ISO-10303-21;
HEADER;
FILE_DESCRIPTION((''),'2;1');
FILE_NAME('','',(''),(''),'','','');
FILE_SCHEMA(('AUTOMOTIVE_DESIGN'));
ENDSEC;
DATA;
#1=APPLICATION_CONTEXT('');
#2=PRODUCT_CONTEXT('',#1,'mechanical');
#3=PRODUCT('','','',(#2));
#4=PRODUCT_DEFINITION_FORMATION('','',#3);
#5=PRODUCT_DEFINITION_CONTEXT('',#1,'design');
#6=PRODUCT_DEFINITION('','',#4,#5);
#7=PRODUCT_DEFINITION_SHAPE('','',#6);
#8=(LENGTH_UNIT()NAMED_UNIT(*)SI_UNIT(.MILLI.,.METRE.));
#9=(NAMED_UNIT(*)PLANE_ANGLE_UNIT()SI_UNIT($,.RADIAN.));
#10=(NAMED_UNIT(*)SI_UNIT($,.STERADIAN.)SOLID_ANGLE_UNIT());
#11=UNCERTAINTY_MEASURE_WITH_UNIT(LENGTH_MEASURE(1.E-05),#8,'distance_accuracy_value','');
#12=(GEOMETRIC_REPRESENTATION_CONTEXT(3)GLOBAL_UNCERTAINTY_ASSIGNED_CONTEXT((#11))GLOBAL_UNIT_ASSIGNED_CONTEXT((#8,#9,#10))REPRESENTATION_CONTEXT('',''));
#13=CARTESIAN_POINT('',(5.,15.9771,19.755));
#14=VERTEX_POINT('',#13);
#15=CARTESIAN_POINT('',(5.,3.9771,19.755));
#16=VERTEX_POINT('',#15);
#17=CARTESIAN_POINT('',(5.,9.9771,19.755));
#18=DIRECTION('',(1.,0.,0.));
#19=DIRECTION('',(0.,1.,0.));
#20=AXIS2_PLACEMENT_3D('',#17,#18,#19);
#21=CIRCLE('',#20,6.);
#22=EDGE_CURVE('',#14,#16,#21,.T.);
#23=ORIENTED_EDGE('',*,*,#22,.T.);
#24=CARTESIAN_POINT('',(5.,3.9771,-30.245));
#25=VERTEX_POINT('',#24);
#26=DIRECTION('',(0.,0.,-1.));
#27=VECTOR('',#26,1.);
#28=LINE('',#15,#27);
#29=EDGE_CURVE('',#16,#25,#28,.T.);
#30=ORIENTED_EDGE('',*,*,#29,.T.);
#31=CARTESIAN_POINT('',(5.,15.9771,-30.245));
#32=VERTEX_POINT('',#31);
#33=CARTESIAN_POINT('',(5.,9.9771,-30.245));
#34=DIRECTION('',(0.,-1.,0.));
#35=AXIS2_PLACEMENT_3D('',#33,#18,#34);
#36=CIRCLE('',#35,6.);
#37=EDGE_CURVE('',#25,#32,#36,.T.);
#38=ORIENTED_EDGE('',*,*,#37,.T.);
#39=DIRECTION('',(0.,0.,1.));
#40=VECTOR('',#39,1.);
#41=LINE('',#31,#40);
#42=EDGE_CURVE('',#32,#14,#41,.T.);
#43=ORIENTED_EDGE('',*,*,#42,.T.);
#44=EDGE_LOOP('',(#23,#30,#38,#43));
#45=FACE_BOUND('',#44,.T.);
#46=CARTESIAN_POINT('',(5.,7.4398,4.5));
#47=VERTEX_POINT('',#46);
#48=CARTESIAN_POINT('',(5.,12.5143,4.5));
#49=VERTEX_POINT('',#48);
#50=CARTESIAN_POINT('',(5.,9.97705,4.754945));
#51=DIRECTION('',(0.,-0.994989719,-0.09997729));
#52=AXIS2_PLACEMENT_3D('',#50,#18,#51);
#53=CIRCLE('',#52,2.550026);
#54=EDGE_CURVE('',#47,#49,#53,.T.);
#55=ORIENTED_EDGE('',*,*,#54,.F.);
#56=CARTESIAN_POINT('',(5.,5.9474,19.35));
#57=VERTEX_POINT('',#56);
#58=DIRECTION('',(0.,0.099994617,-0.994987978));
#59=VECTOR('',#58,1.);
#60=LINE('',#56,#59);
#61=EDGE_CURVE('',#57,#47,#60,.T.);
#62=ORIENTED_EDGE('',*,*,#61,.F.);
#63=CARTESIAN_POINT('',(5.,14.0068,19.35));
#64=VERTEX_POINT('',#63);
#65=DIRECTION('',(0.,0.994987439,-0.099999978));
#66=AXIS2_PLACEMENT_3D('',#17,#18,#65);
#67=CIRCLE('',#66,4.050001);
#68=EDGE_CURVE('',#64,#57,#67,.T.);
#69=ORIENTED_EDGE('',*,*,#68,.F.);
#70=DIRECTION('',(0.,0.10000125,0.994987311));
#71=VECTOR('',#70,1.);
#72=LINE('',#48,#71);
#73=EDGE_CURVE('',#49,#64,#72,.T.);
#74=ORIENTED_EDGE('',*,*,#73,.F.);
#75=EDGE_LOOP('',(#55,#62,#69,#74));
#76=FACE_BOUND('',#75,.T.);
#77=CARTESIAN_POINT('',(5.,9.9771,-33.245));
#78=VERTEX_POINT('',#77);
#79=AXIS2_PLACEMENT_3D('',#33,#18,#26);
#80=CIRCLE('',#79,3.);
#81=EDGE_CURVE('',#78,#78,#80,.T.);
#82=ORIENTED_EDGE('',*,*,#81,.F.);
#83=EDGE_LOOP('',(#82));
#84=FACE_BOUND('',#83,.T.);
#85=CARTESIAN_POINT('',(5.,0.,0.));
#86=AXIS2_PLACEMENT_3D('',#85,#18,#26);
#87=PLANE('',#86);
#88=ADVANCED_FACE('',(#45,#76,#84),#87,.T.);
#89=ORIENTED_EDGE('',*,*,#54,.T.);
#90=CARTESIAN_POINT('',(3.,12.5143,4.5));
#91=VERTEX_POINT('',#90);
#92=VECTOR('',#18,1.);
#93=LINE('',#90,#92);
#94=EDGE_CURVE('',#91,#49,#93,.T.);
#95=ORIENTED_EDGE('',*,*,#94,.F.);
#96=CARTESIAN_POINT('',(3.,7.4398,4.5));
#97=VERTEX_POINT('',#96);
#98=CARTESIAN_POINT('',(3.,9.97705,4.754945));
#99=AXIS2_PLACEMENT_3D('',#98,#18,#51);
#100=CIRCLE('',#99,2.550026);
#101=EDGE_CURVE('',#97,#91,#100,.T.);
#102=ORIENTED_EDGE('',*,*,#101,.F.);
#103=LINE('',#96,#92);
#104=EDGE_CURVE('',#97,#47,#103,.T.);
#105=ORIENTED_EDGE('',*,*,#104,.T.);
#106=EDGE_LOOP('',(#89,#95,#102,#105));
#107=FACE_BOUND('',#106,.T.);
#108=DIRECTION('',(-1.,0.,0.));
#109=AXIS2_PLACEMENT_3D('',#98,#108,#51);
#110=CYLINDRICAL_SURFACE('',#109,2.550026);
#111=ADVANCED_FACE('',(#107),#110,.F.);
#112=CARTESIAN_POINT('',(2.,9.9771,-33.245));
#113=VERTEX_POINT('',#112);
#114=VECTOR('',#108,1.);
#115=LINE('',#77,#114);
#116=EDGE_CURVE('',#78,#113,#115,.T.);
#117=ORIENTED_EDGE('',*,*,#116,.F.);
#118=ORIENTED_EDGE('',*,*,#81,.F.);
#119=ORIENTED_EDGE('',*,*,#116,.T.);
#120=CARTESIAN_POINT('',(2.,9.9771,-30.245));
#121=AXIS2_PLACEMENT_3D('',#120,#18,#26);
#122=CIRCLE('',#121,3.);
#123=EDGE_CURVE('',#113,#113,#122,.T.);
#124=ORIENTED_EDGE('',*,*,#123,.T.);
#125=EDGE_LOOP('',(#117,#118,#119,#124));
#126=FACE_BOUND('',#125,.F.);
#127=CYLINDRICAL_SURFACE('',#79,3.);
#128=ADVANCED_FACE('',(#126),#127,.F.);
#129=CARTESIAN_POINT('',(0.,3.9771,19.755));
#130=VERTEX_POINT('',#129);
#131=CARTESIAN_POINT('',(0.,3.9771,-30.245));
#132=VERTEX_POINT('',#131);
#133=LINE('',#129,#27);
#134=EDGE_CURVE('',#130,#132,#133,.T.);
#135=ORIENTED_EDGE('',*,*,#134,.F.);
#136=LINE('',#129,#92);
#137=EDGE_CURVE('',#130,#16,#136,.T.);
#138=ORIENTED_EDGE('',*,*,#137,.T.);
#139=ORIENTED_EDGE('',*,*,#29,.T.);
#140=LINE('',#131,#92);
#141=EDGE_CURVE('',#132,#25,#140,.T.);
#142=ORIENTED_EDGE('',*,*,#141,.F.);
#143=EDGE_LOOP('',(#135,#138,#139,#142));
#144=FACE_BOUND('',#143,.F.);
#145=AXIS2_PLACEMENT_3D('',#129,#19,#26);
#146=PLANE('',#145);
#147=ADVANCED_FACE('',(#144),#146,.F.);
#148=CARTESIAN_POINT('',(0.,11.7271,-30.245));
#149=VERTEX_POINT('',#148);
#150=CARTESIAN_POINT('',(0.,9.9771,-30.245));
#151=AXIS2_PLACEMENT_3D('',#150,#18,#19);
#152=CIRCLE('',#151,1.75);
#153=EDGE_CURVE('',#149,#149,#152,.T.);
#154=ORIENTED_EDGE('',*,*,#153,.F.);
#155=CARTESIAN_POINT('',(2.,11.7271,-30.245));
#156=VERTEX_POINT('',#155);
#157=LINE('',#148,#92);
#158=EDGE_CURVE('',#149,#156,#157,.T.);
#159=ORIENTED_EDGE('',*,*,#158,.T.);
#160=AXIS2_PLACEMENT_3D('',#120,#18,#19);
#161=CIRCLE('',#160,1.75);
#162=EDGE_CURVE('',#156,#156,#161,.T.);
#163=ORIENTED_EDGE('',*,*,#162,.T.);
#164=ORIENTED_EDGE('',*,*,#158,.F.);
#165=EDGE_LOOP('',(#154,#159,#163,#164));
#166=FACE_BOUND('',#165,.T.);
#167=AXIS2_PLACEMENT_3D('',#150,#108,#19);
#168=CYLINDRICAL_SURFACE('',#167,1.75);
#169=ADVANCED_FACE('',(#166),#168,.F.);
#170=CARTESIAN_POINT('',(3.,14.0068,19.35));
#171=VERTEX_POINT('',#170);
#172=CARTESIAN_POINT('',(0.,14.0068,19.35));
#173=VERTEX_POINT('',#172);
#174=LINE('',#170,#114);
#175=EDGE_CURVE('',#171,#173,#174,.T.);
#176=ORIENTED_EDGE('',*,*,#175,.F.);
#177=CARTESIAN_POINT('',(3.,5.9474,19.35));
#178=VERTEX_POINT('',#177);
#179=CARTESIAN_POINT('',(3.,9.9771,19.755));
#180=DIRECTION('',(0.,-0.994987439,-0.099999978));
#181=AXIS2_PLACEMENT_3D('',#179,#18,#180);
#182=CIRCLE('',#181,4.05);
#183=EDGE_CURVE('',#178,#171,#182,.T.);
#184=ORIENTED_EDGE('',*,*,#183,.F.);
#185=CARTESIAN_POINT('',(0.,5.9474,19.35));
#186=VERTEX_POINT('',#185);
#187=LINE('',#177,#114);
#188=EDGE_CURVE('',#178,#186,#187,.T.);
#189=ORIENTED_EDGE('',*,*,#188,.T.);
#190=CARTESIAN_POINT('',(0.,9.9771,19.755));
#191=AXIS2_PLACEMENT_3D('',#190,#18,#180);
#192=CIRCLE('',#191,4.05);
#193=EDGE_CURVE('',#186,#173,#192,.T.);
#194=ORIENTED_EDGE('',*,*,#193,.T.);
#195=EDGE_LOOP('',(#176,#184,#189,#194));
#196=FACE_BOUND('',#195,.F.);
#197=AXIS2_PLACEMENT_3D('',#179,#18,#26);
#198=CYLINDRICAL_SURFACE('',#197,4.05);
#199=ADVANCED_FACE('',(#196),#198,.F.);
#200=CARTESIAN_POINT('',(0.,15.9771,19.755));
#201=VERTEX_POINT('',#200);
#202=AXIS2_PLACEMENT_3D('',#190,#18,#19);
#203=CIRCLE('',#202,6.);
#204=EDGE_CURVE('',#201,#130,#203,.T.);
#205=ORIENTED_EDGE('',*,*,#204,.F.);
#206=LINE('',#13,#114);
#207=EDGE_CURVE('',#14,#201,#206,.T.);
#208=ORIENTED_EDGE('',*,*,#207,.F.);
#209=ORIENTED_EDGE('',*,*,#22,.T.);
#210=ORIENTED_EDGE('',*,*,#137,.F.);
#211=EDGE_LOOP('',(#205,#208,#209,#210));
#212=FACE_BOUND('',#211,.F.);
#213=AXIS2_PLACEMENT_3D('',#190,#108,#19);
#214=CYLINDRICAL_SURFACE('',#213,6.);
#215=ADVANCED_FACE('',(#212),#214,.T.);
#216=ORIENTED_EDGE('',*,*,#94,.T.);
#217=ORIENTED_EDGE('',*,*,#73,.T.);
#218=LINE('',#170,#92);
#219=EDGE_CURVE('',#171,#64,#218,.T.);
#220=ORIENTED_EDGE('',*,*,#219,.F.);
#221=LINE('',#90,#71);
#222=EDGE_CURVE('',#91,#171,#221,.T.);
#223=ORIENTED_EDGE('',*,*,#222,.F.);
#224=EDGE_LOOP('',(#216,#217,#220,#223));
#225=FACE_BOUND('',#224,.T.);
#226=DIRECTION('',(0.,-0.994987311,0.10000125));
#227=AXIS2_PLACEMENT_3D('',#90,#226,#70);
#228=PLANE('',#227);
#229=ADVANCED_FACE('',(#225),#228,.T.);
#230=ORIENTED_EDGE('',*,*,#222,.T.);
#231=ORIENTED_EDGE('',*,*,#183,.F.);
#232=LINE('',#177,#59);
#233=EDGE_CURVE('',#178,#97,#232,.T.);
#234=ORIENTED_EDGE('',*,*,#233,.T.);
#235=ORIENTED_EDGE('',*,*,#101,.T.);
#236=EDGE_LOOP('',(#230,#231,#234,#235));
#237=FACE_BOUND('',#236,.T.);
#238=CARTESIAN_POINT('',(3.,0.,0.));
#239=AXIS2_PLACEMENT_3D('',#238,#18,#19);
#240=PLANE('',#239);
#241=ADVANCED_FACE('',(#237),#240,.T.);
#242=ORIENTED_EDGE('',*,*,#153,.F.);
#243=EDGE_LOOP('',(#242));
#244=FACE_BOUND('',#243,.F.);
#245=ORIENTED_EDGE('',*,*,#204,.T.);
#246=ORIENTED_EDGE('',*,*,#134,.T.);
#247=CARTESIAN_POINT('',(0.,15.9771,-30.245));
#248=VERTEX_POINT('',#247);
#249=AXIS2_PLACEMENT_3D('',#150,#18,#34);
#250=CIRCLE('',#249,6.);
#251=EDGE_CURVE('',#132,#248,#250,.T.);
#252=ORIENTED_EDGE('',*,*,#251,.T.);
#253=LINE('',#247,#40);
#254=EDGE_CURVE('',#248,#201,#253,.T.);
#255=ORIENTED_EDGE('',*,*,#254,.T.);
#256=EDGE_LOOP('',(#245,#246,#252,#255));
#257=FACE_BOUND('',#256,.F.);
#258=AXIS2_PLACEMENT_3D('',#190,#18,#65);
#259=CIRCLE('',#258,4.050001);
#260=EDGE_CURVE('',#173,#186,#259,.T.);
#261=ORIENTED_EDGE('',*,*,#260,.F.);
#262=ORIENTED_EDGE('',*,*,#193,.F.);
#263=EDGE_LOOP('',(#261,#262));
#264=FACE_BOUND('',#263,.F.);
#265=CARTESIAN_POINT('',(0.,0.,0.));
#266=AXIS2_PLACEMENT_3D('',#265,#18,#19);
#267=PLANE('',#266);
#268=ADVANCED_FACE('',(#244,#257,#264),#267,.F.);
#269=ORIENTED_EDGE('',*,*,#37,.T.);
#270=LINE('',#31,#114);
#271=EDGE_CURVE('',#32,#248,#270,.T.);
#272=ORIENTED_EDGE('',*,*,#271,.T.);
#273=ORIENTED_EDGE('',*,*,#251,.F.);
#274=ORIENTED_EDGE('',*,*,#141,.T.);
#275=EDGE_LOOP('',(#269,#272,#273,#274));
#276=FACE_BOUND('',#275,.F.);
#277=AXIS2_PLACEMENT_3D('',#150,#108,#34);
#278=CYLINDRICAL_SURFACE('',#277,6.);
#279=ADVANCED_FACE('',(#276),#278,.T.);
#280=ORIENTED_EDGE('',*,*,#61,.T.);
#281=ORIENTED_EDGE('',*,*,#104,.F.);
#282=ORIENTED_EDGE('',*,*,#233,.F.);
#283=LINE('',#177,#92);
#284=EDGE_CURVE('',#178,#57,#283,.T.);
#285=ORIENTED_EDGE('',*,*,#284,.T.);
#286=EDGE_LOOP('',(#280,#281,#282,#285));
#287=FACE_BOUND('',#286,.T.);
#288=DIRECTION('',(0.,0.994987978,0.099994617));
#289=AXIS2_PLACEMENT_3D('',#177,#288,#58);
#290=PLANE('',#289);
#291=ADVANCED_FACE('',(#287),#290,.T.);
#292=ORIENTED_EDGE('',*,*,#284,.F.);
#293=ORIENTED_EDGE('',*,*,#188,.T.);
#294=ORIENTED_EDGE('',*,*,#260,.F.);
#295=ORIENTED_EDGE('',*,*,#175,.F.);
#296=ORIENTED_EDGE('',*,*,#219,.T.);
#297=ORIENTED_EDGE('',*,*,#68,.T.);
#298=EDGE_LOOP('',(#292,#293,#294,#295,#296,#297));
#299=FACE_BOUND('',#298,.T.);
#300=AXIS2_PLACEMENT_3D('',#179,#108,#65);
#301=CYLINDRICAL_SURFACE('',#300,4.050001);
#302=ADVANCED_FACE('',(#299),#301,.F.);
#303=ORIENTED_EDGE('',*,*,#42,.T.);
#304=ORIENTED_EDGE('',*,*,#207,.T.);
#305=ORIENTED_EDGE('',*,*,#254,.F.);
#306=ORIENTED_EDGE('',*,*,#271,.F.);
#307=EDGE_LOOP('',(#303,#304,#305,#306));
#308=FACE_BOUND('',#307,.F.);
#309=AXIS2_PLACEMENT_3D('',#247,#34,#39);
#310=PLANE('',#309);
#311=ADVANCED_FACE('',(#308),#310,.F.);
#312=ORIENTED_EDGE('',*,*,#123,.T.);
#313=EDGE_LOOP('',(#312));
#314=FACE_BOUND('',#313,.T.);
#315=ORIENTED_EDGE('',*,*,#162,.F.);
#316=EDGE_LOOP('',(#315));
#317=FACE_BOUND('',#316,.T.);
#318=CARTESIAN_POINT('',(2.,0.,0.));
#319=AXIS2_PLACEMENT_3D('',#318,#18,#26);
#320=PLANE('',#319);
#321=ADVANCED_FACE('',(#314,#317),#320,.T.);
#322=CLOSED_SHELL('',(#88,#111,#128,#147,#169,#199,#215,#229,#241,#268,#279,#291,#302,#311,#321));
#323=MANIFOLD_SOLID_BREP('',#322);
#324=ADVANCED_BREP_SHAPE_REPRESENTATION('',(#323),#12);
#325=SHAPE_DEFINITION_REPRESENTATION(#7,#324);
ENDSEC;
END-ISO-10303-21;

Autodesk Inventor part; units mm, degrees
ref_plane "YZ Plane" through (0, 0, 0) normal (1, 0, 0) x (0, 1, 0)
ref_plane "XZ Plane" through (0, 0, 0) normal (0, 1, 0) x (-1, 0, 0)
ref_plane "XY Plane" through (0, 0, 0) normal (0, 0, 1) x (1, 0, 0)
sketch "Szkic1" plane through (0, 0, 0) normal (1, 0, 0) x (0, 1, 0)
  line L0 (9.9771, 19.755) -> (9.9771, -30.245) construction
  line L1 (3.9771, 19.755) -> (3.9771, -30.245)
  line L2 (15.9771, -30.245) -> (15.9771, 19.755)
  arc A0 (15.9771, 19.755) -> (3.9771, 19.755) centre (9.9771, 19.755) ccw
  arc A1 (3.9771, -30.245) -> (15.9771, -30.245) centre (9.9771, -30.245) ccw
  circle A2 centre (9.9771, 19.755) radius 1.6
  circle A3 centre (9.9771, -30.245) radius 1.75
  point P0 (0, 0)
  point P1 (9.9771, -5.245)
  dimension "d0" = 50
  dimension "d1" = 12
  dimension "d2" = 3.2
  dimension "d3" = 3.5
extrude "Wyciągnięcie proste1" add sketch "Szkic1" along normal blind 3
sketch "Szkic4" plane through (3, 0, 0) normal (1, 0, 0) x (0, 0, -1)
  circle A0 centre (-19.755, 9.9771) radius 1.6 projected
  arc A1 (-19.38, 13.7083) -> (-19.38, 6.2459) centre (-19.755, 9.9771) ccw
  arc A2 (-4.53, 7.7383) -> (-4.53, 12.2158) centre (-4.755, 9.9771) ccw
  line L0 (-19.38, 13.7083) -> (-4.53, 12.2158)
  line L1 (-19.38, 6.2459) -> (-4.53, 7.7383)
  line L2 (-4.5, 12.5143) -> (-19.35, 14.0068)
  arc A3 (-19.35, 14.0068) -> (-19.35, 5.9474) centre (-19.755, 9.9771) ccw
  line L3 (-19.35, 5.9474) -> (-4.5, 7.4398)
  arc A4 (-4.5, 7.4398) -> (-4.5, 12.5143) centre (-4.755, 9.9771) ccw
  circle A5 centre (-19.755, 9.9771) radius 4.05
  arc A6 (30.245, 3.9771) -> (30.245, 15.9771) centre (30.245, 9.9771) ccw projected
  line L4 (30.245, 15.9771) -> (-19.755, 15.9771) projected
  arc A7 (-19.755, 15.9771) -> (-19.755, 3.9771) centre (-19.755, 9.9771) ccw projected
  line L5 (-19.755, 3.9771) -> (30.245, 3.9771) projected
  circle A8 centre (30.245, 9.9771) radius 1.75 projected
  circle A9 centre (-19.755, 9.9771) radius 1.6 projected
  point P0 (0, 0)
  point P1 (-19.35, 14.0068)
  dimension "d12" = 7.5
  dimension "d13" = 4.5
  dimension "d14" = 15
  dimension "d15" = 0.3
extrude "Wyciągnięcie proste4" add sketch "Szkic4" along normal blind 2 contours L5 A7 L4 A6
extrude "Wyciągnięcie proste5" cut sketch "Szkic4" against normal blind 3 contours A0 | L0 A5 L1 A1 | A1 L1 A5 A3 L0
sketch "Szkic5" plane through (5, 0, 0) normal (1, 0, 0) x (0, 0, -1)
  circle A0 centre (30.245, 9.9771) radius 1.75 projected
  circle A1 centre (30.245, 9.9771) radius 3
  point P0 (0, 0)
  dimension "d20" = 6
extrude "Wyciągnięcie proste6" cut sketch "Szkic5" against normal blind 3 contours A0 | A1
properties part number "belka"
